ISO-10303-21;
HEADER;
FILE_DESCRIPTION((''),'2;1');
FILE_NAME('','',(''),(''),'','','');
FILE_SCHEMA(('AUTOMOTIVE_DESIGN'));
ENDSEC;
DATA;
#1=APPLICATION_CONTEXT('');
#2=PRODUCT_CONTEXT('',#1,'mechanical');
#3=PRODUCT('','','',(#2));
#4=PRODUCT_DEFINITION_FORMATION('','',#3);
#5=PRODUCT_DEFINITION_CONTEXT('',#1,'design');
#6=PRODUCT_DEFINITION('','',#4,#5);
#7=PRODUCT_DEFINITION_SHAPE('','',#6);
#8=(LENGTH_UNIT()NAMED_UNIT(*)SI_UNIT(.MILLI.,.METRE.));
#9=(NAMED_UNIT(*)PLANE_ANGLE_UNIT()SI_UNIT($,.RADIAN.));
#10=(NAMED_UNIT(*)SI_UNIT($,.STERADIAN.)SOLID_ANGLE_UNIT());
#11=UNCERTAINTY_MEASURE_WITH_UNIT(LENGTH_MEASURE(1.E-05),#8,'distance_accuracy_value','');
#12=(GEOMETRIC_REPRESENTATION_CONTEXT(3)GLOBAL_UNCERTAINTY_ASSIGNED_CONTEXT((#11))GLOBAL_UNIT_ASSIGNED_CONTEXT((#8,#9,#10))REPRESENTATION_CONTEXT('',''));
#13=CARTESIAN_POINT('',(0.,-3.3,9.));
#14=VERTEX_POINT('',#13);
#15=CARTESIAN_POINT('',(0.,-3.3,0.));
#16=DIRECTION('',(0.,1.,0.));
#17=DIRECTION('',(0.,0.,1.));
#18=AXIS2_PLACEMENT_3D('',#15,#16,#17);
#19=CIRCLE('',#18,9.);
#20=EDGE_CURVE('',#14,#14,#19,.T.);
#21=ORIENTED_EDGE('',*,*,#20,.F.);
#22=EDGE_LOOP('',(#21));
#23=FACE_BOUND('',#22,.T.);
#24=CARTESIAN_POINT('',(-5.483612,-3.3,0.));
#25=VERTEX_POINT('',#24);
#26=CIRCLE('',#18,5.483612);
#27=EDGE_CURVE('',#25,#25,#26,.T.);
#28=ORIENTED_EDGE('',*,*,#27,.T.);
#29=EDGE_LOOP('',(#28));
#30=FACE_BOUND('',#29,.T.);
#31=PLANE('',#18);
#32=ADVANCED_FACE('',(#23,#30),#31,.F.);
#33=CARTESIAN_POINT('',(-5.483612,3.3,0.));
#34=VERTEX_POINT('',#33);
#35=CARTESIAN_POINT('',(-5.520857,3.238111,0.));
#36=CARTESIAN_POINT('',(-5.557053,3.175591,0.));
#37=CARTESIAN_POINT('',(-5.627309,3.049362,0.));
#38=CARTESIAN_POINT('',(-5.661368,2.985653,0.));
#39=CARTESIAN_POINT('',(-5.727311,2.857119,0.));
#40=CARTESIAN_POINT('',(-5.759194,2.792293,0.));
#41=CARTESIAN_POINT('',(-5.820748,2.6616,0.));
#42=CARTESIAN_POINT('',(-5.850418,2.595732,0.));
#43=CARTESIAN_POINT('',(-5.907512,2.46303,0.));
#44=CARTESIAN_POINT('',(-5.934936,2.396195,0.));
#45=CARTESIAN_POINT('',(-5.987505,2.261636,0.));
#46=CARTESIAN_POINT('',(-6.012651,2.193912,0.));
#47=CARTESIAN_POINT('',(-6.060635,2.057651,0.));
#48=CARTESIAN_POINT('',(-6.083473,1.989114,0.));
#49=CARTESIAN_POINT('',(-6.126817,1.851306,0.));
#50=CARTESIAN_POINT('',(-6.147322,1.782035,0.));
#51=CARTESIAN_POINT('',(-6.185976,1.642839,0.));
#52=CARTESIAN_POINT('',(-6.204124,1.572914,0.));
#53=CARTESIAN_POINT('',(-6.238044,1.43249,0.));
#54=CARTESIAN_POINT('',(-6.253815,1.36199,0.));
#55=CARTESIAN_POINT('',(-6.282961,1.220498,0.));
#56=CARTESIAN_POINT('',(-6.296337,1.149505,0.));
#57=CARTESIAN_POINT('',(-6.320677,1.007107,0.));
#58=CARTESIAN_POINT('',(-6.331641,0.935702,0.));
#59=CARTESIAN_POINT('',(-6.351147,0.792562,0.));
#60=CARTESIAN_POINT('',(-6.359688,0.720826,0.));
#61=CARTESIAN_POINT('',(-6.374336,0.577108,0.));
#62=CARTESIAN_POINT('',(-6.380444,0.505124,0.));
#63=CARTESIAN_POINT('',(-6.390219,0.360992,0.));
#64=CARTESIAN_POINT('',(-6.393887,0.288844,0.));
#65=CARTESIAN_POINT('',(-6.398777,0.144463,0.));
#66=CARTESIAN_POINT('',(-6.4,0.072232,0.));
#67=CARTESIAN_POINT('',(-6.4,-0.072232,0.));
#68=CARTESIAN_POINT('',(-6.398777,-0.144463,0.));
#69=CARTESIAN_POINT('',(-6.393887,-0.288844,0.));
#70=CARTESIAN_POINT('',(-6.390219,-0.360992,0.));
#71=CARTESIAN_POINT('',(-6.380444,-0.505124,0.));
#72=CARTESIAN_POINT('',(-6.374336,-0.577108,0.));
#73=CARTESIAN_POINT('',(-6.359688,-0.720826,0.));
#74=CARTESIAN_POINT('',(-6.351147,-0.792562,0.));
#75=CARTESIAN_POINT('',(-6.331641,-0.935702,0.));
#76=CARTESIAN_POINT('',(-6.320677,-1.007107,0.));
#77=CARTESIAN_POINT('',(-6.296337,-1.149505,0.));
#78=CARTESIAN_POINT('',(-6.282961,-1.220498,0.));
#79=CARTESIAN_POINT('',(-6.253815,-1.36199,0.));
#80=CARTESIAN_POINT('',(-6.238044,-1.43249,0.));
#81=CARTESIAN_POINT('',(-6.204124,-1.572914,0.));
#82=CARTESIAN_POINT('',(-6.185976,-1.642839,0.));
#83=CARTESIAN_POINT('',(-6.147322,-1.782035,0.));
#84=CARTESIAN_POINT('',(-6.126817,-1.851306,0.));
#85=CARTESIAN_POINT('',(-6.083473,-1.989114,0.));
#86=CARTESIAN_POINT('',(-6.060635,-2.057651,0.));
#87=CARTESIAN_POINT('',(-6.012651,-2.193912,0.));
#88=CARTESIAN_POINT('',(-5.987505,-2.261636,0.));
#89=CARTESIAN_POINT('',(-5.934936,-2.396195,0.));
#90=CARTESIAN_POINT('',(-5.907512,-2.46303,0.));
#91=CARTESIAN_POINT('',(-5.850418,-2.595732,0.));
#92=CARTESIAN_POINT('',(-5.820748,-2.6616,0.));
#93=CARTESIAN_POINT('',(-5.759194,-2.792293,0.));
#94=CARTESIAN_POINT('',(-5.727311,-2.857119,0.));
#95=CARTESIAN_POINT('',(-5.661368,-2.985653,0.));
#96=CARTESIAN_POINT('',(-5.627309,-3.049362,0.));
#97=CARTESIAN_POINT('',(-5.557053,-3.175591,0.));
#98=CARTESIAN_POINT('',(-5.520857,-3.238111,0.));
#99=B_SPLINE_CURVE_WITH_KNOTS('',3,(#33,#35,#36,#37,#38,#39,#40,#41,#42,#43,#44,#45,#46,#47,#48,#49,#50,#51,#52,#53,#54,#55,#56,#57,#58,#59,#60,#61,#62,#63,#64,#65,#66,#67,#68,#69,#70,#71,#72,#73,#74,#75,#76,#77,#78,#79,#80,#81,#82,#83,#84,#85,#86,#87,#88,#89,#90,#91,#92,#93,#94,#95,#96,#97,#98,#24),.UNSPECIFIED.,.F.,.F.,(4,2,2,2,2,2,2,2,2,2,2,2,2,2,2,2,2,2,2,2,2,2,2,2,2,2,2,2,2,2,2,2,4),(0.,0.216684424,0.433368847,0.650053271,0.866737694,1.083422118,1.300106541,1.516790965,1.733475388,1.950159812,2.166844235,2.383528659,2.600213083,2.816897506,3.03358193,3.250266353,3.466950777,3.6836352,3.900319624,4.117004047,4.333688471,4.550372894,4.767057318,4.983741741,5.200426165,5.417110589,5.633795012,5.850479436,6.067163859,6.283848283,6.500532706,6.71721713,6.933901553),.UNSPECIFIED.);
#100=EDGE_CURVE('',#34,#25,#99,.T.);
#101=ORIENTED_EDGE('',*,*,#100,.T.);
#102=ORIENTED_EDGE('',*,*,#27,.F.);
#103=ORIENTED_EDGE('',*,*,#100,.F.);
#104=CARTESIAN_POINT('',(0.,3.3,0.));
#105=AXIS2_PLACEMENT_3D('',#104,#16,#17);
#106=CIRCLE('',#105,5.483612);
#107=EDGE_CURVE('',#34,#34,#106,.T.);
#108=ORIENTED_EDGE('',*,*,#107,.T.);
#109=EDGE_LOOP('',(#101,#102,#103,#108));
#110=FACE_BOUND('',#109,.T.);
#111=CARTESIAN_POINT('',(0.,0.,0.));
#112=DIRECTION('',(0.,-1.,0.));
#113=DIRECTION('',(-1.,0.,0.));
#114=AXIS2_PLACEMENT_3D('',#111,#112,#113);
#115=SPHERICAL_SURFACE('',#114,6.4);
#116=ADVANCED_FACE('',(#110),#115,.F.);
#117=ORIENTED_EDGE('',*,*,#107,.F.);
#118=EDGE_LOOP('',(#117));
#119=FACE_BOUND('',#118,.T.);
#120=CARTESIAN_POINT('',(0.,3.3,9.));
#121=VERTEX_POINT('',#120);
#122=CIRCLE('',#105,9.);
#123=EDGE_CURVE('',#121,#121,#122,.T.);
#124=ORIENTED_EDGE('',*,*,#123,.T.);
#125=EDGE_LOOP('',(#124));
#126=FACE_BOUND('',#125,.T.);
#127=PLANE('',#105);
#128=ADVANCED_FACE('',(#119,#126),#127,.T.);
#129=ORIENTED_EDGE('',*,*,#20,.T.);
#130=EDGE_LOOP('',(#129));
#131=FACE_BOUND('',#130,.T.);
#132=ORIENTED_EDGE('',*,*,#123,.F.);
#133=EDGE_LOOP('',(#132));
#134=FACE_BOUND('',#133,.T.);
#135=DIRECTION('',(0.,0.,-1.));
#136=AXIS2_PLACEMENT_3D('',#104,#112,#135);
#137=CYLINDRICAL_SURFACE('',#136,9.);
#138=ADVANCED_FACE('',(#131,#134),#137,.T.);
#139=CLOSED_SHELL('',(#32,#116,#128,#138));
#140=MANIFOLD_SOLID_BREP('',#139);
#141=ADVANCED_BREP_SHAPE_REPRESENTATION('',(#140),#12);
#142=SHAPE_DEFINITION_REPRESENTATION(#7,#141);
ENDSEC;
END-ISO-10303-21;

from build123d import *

# Parameters (mm, degrees)
SKETCH_1_R      = 9
EXTRUDE_1_DEPTH = 3.3


with BuildPart() as part:
    # Эскиз1 → Бобышка-Вытянуть1 (new, symmetric)
    with BuildSketch(Plane(origin=(0, 0, 0), x_dir=(1, 0, 0), z_dir=(0, 1, 0))):
        with Locations(Location((0, 0, 0), (0, 0, 270))):
            Circle(SKETCH_1_R)
    extrude(amount=EXTRUDE_1_DEPTH, both=True)

    # Эскиз2 → Вырез-Повернуть1 (revolve, cut)
    with BuildSketch(Plane.XY):
        with BuildLine():
            Line((0, 6.4), (0, -6.4))
            ThreePointArc((0, -6.4), (6.4, 0), (0, 6.4))
        make_face()
    revolve(axis=Axis((0, 0, 0), (0, 1, 0)), mode=Mode.SUBTRACT)


solid = part.part
